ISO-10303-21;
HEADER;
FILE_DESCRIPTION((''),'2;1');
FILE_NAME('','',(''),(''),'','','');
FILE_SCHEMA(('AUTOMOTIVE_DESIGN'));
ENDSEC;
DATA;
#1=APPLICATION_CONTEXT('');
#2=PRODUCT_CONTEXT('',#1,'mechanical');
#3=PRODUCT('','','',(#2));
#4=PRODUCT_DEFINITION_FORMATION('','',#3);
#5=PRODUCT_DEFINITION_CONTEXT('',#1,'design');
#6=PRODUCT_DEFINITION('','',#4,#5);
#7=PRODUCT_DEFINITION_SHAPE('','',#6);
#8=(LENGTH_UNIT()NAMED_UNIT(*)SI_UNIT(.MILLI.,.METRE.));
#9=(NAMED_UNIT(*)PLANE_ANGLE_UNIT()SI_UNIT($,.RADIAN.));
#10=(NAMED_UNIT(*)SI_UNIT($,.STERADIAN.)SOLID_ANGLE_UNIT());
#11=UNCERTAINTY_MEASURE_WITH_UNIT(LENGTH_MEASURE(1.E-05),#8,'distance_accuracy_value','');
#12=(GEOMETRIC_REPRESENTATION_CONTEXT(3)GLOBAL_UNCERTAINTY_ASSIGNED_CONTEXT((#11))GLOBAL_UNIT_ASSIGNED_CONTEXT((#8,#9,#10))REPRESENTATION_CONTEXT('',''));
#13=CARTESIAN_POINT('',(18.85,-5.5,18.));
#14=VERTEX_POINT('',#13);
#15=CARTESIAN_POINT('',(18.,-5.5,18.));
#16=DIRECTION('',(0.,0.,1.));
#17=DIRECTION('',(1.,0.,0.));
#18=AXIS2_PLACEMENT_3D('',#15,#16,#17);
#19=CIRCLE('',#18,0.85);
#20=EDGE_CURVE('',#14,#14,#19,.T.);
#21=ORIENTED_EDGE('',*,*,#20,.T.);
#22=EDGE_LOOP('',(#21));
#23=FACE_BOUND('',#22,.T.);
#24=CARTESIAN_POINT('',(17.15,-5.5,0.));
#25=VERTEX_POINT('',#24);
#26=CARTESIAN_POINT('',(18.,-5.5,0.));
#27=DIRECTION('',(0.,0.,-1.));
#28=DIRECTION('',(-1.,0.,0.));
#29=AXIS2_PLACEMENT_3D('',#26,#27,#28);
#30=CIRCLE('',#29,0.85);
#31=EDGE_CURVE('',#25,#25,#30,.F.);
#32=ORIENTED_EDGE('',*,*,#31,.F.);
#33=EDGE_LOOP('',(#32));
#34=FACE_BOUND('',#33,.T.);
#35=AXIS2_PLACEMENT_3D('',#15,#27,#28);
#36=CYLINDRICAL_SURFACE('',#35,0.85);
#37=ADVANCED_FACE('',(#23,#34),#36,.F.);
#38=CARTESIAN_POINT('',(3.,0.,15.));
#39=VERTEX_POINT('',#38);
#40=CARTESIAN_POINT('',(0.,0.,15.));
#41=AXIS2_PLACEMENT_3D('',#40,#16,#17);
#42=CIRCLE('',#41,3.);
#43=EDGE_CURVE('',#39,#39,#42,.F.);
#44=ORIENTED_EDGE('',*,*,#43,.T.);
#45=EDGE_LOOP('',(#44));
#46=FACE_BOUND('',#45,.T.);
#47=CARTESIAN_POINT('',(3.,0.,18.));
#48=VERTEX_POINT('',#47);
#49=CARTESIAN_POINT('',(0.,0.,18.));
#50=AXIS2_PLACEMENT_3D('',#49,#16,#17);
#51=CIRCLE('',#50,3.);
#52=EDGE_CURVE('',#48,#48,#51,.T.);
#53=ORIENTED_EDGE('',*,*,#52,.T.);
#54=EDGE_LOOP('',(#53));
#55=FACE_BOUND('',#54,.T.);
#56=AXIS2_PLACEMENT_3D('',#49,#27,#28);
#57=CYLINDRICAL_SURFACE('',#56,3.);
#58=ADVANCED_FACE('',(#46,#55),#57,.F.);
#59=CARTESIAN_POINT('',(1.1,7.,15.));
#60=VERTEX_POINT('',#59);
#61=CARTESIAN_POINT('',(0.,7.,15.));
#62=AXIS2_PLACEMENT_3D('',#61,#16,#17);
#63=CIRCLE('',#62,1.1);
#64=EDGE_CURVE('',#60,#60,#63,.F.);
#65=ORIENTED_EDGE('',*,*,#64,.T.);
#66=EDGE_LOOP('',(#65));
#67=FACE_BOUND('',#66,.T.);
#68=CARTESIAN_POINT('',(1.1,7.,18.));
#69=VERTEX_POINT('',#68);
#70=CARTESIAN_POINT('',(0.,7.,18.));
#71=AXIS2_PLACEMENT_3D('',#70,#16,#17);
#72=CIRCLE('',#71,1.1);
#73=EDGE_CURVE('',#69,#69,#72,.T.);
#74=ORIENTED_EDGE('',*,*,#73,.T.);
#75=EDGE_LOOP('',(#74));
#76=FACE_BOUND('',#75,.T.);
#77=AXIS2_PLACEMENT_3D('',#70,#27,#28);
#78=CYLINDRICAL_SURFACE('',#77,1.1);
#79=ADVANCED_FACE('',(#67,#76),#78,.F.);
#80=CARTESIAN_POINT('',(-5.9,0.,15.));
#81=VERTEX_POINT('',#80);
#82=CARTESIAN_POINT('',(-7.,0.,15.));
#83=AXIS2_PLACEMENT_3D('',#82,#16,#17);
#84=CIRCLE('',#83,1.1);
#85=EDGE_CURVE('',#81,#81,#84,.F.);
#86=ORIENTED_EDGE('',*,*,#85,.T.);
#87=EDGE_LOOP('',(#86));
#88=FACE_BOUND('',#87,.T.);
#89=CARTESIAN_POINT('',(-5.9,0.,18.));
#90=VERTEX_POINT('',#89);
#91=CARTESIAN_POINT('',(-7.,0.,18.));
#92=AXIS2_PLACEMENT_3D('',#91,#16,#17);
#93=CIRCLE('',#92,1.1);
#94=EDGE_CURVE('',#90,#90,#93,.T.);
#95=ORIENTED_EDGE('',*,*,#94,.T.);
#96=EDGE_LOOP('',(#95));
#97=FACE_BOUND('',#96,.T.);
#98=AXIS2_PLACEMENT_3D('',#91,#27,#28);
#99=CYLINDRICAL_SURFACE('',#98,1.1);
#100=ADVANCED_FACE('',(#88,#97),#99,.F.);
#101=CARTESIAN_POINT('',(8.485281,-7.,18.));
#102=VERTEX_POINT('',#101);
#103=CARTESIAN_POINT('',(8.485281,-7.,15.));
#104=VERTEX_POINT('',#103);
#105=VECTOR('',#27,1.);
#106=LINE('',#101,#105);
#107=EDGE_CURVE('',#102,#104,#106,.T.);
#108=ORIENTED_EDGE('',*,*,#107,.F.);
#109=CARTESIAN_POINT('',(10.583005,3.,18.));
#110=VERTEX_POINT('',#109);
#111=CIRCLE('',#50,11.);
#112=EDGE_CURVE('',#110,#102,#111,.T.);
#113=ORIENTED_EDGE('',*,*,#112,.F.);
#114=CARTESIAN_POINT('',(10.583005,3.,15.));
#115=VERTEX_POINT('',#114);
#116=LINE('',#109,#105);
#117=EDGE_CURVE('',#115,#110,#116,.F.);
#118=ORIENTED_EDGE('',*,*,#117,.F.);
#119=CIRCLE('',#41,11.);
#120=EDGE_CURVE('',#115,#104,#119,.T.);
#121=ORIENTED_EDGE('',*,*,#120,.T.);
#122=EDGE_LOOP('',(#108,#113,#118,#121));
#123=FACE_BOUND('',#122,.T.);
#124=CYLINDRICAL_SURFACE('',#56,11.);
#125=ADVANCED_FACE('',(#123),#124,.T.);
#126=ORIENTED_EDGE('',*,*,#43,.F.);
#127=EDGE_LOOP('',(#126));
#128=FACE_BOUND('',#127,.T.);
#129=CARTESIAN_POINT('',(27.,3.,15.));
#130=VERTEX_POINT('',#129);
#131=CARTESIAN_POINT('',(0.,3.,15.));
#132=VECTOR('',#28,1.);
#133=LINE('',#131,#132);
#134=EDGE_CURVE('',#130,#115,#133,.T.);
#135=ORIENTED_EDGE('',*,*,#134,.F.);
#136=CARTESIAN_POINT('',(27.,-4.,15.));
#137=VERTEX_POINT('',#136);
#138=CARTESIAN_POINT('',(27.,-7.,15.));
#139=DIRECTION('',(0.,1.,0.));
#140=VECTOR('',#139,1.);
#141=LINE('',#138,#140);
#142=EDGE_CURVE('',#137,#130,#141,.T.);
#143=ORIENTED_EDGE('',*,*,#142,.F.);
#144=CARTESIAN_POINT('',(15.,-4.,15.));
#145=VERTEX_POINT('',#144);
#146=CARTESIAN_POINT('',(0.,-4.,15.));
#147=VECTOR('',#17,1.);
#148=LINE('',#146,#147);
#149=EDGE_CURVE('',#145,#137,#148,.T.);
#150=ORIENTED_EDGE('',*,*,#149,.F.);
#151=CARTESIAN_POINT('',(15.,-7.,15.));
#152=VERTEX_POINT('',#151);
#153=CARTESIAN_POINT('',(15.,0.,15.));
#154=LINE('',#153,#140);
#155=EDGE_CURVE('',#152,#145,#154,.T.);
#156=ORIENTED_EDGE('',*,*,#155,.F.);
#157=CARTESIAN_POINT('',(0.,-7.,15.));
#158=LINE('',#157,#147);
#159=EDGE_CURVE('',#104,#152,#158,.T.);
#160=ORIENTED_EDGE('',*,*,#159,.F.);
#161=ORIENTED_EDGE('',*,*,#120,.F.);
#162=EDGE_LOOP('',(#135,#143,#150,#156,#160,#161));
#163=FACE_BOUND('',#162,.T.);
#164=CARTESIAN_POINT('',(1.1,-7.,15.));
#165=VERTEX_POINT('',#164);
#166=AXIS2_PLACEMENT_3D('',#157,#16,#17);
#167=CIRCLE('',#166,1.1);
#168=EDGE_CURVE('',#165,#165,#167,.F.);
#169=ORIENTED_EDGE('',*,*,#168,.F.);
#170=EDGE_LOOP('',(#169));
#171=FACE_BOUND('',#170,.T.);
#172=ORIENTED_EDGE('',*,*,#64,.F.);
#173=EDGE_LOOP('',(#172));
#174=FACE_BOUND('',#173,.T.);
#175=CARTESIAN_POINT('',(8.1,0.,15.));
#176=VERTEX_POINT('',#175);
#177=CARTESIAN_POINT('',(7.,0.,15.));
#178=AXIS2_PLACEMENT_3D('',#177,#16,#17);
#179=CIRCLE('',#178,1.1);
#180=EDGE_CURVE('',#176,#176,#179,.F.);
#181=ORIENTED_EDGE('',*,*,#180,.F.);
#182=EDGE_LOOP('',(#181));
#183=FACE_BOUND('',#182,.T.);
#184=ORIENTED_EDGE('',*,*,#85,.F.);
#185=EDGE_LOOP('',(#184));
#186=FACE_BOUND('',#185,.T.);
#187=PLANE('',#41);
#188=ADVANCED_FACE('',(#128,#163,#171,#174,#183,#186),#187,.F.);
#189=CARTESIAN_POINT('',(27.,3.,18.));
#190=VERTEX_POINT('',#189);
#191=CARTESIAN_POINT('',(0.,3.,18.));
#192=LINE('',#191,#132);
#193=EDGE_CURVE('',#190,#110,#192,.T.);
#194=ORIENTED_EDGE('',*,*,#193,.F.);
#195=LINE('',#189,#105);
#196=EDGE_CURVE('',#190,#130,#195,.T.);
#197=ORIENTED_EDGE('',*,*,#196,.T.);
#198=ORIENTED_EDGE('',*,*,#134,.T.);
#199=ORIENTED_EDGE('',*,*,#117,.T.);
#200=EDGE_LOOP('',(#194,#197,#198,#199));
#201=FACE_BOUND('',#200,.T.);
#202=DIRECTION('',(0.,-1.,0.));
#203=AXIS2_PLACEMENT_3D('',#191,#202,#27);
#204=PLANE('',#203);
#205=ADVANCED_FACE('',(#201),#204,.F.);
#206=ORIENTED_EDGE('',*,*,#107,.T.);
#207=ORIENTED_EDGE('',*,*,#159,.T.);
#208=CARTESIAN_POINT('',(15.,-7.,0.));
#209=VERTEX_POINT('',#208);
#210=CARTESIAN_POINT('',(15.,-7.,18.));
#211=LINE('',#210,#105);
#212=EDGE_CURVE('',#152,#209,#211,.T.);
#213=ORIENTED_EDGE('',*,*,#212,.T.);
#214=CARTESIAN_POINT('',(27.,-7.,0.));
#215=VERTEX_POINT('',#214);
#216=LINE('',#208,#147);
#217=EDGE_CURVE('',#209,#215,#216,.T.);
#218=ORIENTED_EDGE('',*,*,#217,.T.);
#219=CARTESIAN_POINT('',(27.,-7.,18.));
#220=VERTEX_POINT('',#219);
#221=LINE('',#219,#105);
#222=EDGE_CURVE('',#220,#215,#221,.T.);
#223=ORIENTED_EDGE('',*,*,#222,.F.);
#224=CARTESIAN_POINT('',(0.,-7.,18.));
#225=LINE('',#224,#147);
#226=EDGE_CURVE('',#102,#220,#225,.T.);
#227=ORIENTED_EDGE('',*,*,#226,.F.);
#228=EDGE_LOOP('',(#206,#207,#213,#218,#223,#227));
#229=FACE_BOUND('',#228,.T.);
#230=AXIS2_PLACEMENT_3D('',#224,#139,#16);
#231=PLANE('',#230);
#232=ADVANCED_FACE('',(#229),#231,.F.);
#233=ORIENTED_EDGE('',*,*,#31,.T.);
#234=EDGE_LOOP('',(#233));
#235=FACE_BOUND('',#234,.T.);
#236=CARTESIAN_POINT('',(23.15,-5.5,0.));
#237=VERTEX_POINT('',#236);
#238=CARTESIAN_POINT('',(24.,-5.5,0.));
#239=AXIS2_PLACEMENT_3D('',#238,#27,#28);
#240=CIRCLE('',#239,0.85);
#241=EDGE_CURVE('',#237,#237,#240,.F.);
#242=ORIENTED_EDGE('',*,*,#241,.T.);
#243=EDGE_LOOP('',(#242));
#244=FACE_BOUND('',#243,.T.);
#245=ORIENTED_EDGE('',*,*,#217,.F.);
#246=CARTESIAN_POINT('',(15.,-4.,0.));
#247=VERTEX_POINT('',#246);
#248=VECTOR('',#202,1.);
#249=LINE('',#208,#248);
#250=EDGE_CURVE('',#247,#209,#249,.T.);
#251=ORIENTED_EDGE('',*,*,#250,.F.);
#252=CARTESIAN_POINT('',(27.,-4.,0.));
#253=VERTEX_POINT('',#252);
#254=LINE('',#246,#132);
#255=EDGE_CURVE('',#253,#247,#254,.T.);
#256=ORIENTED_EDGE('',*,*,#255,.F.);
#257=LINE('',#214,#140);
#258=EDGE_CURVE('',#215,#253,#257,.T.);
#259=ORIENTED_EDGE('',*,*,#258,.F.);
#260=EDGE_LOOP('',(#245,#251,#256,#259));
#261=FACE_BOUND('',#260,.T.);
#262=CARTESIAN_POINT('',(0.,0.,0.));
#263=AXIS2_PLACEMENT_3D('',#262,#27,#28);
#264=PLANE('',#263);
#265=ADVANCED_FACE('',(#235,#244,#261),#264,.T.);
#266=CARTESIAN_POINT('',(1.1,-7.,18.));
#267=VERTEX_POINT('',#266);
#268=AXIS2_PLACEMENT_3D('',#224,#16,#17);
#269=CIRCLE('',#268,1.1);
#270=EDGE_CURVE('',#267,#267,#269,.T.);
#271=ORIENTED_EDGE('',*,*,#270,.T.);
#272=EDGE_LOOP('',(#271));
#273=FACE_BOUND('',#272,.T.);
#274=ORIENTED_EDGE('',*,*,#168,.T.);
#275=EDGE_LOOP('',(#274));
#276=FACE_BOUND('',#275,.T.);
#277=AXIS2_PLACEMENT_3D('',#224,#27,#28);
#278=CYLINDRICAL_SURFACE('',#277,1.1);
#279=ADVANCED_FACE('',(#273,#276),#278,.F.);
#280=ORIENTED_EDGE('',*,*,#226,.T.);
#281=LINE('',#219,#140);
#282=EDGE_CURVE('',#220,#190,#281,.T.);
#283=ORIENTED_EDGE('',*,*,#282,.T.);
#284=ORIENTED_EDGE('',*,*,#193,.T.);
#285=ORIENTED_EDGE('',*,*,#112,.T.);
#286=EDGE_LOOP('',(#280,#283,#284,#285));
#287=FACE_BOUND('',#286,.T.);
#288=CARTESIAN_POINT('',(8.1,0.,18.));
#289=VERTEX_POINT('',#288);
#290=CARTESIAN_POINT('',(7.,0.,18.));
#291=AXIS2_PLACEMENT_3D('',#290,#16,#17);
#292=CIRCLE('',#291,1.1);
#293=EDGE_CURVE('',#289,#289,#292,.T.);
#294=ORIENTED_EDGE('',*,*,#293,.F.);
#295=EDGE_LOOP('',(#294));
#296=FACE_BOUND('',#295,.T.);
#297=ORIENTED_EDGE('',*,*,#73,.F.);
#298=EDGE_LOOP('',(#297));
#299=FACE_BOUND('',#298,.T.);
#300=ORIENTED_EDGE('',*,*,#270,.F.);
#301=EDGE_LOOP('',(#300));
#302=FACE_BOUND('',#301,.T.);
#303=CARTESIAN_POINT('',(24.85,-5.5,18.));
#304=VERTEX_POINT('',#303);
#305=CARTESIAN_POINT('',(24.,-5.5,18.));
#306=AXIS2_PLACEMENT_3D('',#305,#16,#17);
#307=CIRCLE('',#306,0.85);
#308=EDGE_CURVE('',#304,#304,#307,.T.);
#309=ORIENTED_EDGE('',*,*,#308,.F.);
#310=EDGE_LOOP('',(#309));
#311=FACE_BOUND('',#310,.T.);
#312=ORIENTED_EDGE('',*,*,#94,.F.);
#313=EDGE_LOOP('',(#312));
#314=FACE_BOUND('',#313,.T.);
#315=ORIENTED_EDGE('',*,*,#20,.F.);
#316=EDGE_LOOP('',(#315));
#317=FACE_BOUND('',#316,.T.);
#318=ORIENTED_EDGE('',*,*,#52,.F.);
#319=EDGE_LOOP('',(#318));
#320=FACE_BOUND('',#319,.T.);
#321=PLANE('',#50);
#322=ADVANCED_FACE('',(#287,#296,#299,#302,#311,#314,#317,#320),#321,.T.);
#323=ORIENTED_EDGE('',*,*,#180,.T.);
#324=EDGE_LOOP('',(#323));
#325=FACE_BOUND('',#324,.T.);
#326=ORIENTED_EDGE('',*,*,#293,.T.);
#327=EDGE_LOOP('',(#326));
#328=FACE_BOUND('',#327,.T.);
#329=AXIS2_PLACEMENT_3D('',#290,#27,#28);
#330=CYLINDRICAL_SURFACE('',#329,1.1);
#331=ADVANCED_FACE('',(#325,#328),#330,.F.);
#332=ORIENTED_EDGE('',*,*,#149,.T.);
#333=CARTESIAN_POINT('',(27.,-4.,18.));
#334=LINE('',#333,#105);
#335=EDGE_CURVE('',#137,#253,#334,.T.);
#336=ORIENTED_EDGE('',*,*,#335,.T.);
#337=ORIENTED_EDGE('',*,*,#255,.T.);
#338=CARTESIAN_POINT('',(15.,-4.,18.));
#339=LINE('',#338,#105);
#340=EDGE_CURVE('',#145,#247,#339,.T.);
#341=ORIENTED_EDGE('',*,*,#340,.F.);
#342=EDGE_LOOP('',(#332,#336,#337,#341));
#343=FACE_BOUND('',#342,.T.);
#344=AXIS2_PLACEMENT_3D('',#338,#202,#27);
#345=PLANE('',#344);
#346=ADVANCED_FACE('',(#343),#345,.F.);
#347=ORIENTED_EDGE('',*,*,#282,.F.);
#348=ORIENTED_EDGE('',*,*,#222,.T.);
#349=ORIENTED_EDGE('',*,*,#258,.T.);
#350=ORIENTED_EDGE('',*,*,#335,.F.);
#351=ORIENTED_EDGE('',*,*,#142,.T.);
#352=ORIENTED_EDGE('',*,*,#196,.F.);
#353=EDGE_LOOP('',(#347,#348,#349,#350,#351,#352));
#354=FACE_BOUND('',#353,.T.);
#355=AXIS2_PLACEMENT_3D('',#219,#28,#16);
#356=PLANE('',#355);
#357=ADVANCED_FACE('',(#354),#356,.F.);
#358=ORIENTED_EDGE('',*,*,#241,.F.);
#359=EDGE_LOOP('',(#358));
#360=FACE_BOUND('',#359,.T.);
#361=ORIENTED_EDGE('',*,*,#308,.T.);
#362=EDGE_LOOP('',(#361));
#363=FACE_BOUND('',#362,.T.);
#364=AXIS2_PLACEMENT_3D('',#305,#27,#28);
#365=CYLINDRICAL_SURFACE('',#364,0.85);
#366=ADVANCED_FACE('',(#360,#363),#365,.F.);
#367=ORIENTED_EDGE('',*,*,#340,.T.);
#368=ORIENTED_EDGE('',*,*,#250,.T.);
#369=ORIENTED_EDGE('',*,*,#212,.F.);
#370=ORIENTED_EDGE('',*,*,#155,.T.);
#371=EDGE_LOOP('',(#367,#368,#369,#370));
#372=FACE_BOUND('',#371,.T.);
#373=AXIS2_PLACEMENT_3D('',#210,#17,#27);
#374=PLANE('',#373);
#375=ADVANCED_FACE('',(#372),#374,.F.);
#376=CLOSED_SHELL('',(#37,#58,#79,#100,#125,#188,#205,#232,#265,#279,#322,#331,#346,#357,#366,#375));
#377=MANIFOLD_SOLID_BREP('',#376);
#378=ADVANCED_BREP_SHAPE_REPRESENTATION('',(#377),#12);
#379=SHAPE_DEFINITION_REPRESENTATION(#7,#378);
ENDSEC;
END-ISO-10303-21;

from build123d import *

# Parameters (mm, degrees)
STOCK_HORN_ATTACHMENT_START         = 15
STOCK_HORN_ATTACHMENT_PROFILE_R     = 11
STOCK_HORN_ATTACHMENT_DEPTH         = 3
FINGER_ARM_START                    = 15
FINGER_ARM_PROFILE_W                = 27
FINGER_ARM_PROFILE_H                = 10
FINGER_ARM_DEPTH                    = 3
DESCENDING_CONTACT_FINGER_PROFILE_W = 12
DESCENDING_CONTACT_FINGER_PROFILE_H = 3
DESCENDING_CONTACT_FINGER_DEPTH     = 18
HORN_CENTER_ACCESS_START            = -50
HORN_CENTER_ACCESS_PROFILE_R        = 3
HORN_CENTER_ACCESS_DEPTH            = 85.263683398
HORN_SCREWS_START                   = -50
HORN_SCREWS_PROFILE_R               = 1.1
HORN_SCREWS_DEPTH                   = 85.263683398
CONTACT_PAD_KEEPER_START            = -50
CONTACT_PAD_KEEPER_PROFILE_R        = 0.85
CONTACT_PAD_KEEPER_DEPTH            = 85.263683398


with BuildPart() as part:
    # Stock_horn_attachment_profile → Stock_horn_attachment (new body)
    with BuildSketch(Plane.XY.offset(STOCK_HORN_ATTACHMENT_START)):
        Circle(STOCK_HORN_ATTACHMENT_PROFILE_R)
    extrude(amount=STOCK_HORN_ATTACHMENT_DEPTH)

    # Finger_arm_profile → Finger_arm (add)
    with BuildSketch(Plane.XY.offset(FINGER_ARM_START)):
        with Locations((13.5, -2)):
            Rectangle(FINGER_ARM_PROFILE_W, FINGER_ARM_PROFILE_H)
    extrude(amount=FINGER_ARM_DEPTH)

    # Descending_contact_finger_profile → Descending_contact_finger (add)
    with BuildSketch(Plane.XY):
        with Locations((21, -5.5)):
            Rectangle(DESCENDING_CONTACT_FINGER_PROFILE_W, DESCENDING_CONTACT_FINGER_PROFILE_H)
    extrude(amount=DESCENDING_CONTACT_FINGER_DEPTH)

    # Horn_center_access_profile → Horn_center_access (cut, through all)
    with BuildSketch(Plane.XY.offset(HORN_CENTER_ACCESS_START)):
        Circle(HORN_CENTER_ACCESS_PROFILE_R)
    extrude(amount=HORN_CENTER_ACCESS_DEPTH, mode=Mode.SUBTRACT)

    # Horn_screws_profile → Horn_screws (cut, through all)
    with BuildSketch(Plane.XY.offset(HORN_SCREWS_START)):
        with Locations((0, -7)):
            Circle(HORN_SCREWS_PROFILE_R)
        with Locations((0, 7)):
            Circle(HORN_SCREWS_PROFILE_R)
        with Locations((-7, 0)):
            Circle(HORN_SCREWS_PROFILE_R)
        with Locations((7, 0)):
            Circle(HORN_SCREWS_PROFILE_R)
    extrude(amount=HORN_SCREWS_DEPTH, mode=Mode.SUBTRACT)

    # Contact_pad_keeper_profile → Contact_pad_keeper (cut, through all)
    with BuildSketch(Plane.XY.offset(CONTACT_PAD_KEEPER_START)):
        with Locations(Location((18, -5.5, 0), (0, 0, 180))):
            Circle(CONTACT_PAD_KEEPER_PROFILE_R)
        with Locations(Location((24, -5.5, 0), (0, 0, 180))):
            Circle(CONTACT_PAD_KEEPER_PROFILE_R)
    extrude(amount=CONTACT_PAD_KEEPER_DEPTH, mode=Mode.SUBTRACT)


solid = part.part
